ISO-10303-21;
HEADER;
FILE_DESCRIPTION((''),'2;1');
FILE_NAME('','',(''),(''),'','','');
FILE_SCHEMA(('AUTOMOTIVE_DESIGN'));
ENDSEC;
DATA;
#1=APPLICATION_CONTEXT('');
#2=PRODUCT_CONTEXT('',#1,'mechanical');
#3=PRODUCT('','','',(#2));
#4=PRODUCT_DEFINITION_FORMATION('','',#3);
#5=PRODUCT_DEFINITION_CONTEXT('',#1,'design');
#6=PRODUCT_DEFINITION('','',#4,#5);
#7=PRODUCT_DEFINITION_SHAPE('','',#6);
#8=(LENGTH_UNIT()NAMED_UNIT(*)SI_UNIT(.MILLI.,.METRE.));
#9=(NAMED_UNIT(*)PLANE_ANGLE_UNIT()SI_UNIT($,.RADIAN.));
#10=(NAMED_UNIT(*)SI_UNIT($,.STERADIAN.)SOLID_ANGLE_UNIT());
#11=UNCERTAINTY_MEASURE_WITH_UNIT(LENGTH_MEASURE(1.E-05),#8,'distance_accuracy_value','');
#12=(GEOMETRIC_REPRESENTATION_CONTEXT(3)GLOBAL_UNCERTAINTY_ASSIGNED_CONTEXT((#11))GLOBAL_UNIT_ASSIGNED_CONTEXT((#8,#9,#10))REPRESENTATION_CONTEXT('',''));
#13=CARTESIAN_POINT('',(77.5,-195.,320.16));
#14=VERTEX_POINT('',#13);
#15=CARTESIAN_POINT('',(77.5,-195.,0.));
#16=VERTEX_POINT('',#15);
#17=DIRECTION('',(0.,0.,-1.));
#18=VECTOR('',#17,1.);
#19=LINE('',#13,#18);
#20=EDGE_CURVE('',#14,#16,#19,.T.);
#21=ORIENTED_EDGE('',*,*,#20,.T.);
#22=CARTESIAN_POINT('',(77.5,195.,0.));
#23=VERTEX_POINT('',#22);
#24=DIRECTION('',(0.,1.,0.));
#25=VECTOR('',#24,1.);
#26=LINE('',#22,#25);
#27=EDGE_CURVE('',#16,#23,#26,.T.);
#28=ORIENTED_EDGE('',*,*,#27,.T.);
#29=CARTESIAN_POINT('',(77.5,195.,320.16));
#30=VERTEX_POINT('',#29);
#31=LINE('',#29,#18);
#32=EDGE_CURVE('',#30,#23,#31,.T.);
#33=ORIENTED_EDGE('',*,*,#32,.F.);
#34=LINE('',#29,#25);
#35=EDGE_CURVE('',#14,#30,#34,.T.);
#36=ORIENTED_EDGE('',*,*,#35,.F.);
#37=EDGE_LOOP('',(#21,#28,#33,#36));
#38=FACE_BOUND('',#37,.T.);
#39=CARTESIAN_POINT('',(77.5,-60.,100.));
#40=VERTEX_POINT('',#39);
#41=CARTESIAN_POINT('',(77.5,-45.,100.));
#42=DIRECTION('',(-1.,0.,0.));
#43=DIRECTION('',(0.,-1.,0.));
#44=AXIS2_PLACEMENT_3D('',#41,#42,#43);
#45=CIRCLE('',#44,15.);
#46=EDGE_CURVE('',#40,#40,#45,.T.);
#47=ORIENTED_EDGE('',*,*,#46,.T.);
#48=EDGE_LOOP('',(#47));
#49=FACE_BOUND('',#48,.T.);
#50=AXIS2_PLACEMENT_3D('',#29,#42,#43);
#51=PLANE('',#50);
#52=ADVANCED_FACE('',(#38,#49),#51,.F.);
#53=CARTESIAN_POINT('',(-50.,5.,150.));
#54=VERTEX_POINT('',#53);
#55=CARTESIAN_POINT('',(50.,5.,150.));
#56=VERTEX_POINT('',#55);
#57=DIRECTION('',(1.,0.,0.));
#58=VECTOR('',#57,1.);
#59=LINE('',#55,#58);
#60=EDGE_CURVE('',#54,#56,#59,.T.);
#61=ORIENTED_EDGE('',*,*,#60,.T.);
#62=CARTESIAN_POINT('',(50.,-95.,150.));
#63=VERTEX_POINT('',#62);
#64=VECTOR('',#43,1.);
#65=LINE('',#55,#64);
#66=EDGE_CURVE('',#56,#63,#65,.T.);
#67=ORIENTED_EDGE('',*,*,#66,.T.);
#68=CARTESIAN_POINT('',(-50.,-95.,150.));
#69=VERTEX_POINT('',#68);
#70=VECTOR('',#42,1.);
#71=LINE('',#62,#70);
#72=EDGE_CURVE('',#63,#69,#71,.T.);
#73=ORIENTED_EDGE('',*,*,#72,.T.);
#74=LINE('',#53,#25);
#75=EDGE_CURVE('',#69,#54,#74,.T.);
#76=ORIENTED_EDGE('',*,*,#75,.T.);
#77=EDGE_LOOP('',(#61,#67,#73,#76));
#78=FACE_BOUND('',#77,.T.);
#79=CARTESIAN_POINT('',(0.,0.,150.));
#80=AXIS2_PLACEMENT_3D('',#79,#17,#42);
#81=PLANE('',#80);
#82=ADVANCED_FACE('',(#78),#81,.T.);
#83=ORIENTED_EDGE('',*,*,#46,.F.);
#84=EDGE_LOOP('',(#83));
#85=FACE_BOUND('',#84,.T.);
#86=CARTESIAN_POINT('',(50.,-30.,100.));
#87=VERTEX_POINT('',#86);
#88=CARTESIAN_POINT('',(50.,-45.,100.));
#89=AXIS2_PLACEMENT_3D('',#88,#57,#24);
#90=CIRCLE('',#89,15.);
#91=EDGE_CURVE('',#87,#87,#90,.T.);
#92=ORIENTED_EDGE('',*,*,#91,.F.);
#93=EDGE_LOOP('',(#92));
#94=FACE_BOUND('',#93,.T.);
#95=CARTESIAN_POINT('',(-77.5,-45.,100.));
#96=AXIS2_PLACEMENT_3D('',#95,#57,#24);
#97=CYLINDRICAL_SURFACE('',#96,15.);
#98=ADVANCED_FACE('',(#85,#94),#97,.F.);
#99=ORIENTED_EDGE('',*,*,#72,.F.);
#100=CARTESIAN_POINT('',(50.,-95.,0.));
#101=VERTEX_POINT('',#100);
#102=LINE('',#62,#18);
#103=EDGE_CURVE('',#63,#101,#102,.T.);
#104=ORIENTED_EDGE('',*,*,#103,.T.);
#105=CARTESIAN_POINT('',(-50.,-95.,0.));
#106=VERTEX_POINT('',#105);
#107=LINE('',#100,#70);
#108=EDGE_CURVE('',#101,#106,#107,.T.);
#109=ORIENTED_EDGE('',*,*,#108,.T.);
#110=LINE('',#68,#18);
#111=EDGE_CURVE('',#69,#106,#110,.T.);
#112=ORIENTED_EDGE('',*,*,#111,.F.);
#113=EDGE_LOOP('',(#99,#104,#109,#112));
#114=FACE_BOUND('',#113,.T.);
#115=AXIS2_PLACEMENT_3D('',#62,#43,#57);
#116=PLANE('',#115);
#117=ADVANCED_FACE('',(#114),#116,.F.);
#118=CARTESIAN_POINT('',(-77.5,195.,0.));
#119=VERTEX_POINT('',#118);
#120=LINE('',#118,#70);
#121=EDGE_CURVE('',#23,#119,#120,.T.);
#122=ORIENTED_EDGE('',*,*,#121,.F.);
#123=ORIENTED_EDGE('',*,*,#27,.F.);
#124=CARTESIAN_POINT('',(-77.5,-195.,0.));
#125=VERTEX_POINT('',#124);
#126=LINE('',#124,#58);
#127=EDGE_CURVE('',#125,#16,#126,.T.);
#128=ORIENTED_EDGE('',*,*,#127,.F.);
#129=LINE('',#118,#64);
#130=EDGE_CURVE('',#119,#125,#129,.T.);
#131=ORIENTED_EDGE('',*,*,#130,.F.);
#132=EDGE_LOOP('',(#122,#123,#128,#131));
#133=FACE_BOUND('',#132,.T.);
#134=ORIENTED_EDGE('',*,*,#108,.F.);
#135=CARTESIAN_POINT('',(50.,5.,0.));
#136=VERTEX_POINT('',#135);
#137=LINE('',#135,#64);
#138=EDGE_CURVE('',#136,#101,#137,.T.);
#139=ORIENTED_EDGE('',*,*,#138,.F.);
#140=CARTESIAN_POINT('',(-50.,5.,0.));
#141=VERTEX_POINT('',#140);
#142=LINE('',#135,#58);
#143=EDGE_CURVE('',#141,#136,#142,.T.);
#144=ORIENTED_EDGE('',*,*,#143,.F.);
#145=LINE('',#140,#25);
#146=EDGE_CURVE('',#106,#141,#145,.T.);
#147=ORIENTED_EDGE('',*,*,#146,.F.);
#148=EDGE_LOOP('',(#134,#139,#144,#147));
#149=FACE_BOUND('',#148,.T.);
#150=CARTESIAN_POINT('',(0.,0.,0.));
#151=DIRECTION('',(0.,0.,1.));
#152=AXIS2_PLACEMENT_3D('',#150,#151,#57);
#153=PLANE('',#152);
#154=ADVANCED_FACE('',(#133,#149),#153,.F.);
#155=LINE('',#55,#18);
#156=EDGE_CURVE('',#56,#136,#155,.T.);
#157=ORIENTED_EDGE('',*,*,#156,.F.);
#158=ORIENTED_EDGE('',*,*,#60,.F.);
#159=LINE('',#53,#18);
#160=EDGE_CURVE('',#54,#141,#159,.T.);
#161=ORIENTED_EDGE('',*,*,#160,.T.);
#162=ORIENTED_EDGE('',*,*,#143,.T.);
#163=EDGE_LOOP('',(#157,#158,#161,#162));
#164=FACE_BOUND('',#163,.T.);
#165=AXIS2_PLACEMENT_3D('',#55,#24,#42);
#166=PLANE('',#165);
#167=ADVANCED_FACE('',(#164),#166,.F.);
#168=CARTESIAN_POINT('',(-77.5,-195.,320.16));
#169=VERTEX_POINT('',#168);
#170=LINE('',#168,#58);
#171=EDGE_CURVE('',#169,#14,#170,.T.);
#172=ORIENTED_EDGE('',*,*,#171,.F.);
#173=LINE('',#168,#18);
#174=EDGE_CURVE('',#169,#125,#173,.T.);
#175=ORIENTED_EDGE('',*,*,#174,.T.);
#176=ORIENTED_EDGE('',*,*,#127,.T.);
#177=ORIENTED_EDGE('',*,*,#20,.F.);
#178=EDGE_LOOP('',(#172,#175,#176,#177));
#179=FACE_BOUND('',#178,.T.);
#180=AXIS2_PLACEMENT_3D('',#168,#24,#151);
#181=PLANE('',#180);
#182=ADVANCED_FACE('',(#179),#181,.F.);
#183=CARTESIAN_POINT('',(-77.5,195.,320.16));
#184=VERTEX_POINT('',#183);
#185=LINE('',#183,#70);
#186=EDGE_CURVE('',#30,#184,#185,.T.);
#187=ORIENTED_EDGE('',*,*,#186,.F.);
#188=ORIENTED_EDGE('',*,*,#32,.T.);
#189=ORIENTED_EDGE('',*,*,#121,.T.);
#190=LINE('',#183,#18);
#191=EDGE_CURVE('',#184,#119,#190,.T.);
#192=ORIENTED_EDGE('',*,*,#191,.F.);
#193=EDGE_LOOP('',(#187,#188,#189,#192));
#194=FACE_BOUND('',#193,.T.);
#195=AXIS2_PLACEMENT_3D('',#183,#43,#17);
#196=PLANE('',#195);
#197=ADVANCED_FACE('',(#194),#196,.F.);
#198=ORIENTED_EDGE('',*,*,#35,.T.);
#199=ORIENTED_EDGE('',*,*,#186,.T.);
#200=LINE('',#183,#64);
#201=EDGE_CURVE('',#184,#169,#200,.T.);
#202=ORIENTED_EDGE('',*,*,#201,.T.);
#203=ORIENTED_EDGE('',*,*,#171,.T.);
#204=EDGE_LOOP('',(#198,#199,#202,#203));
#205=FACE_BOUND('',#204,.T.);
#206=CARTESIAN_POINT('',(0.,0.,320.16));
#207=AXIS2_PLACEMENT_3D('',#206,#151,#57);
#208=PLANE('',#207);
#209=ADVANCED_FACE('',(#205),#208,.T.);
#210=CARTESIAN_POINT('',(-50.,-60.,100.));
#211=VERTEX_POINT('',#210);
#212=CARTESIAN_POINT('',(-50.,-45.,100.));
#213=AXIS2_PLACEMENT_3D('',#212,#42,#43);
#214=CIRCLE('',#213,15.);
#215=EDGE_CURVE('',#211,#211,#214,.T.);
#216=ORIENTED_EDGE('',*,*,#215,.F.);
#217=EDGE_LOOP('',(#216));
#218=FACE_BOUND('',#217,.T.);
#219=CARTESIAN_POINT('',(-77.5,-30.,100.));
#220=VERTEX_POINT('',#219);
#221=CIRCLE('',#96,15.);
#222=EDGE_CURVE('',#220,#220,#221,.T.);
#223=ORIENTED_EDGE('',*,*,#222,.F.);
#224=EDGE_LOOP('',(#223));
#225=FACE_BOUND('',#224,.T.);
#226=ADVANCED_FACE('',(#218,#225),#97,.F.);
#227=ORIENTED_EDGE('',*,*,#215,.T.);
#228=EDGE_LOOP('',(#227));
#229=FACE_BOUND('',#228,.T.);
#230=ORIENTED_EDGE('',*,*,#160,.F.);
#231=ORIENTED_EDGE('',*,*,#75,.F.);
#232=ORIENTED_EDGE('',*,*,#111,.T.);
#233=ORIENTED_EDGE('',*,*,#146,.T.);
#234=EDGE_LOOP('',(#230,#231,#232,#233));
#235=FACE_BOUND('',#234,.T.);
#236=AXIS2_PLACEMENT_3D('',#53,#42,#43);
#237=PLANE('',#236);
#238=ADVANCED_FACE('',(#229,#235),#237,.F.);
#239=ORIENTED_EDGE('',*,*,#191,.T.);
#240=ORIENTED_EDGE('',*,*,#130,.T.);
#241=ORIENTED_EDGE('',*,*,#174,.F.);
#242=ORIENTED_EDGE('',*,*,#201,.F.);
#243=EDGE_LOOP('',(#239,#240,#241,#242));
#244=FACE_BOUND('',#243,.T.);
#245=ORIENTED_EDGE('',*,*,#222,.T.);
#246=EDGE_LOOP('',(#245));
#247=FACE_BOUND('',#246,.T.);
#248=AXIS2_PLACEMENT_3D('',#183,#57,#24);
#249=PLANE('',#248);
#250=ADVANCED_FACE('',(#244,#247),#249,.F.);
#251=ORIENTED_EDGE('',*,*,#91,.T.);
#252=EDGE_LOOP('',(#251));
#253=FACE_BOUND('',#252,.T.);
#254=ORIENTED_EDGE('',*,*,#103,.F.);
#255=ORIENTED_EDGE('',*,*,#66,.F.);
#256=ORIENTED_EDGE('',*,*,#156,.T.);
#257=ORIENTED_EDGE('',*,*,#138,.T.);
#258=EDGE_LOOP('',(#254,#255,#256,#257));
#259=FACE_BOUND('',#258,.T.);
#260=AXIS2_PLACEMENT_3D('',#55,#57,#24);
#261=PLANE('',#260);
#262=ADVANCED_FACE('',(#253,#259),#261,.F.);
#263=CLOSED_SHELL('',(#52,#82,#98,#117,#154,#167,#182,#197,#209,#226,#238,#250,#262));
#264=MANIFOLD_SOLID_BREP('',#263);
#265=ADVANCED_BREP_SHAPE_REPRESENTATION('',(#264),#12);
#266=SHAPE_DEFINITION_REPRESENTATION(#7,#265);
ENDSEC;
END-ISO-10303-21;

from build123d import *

# Parameters (mm, degrees)
SKETCH1_W               = 155
SKETCH1_H               = 390
BOSS_EXTRUDE1_DEPTH     = 320.16
SKETCH2_W               = 100
SKETCH2_H               = 100
CUT_EXTRUDE1_DEPTH      = 150
CUT_EXTRUDE2_DEPTH      = 406.650620115
CUT_EXTRUDE2_DEPTH_BACK = 406.650620115
SKETCH3_R               = 15


with BuildPart() as part:
    # Sketch1 → Boss-Extrude1 (new body)
    with BuildSketch(Plane.XY):
        Rectangle(SKETCH1_W, SKETCH1_H)
    extrude(amount=BOSS_EXTRUDE1_DEPTH)

    # Sketch2 → Cut-Extrude1 (cut)
    with BuildSketch(Plane(origin=(0, 0, 0), x_dir=(-1, 0, 0), z_dir=(0, 0, -1))):
        with Locations((0, -45)):
            Rectangle(SKETCH2_W, SKETCH2_H)
    extrude(amount=-CUT_EXTRUDE1_DEPTH, mode=Mode.SUBTRACT)

    # Sketch3 → Cut-Extrude2 (cut, two sides: drawn at the far end of the back side and taken through both)
    with BuildSketch(Plane(origin=(77.5, 0, 0), x_dir=(0, 0, -1), z_dir=(1, 0, 0)).offset(-CUT_EXTRUDE2_DEPTH_BACK)):
        with Locations(Location((-100, -45, 0), (0, 0, 90))):
            Circle(SKETCH3_R)
    extrude(amount=CUT_EXTRUDE2_DEPTH + CUT_EXTRUDE2_DEPTH_BACK, mode=Mode.SUBTRACT)


solid = part.part
